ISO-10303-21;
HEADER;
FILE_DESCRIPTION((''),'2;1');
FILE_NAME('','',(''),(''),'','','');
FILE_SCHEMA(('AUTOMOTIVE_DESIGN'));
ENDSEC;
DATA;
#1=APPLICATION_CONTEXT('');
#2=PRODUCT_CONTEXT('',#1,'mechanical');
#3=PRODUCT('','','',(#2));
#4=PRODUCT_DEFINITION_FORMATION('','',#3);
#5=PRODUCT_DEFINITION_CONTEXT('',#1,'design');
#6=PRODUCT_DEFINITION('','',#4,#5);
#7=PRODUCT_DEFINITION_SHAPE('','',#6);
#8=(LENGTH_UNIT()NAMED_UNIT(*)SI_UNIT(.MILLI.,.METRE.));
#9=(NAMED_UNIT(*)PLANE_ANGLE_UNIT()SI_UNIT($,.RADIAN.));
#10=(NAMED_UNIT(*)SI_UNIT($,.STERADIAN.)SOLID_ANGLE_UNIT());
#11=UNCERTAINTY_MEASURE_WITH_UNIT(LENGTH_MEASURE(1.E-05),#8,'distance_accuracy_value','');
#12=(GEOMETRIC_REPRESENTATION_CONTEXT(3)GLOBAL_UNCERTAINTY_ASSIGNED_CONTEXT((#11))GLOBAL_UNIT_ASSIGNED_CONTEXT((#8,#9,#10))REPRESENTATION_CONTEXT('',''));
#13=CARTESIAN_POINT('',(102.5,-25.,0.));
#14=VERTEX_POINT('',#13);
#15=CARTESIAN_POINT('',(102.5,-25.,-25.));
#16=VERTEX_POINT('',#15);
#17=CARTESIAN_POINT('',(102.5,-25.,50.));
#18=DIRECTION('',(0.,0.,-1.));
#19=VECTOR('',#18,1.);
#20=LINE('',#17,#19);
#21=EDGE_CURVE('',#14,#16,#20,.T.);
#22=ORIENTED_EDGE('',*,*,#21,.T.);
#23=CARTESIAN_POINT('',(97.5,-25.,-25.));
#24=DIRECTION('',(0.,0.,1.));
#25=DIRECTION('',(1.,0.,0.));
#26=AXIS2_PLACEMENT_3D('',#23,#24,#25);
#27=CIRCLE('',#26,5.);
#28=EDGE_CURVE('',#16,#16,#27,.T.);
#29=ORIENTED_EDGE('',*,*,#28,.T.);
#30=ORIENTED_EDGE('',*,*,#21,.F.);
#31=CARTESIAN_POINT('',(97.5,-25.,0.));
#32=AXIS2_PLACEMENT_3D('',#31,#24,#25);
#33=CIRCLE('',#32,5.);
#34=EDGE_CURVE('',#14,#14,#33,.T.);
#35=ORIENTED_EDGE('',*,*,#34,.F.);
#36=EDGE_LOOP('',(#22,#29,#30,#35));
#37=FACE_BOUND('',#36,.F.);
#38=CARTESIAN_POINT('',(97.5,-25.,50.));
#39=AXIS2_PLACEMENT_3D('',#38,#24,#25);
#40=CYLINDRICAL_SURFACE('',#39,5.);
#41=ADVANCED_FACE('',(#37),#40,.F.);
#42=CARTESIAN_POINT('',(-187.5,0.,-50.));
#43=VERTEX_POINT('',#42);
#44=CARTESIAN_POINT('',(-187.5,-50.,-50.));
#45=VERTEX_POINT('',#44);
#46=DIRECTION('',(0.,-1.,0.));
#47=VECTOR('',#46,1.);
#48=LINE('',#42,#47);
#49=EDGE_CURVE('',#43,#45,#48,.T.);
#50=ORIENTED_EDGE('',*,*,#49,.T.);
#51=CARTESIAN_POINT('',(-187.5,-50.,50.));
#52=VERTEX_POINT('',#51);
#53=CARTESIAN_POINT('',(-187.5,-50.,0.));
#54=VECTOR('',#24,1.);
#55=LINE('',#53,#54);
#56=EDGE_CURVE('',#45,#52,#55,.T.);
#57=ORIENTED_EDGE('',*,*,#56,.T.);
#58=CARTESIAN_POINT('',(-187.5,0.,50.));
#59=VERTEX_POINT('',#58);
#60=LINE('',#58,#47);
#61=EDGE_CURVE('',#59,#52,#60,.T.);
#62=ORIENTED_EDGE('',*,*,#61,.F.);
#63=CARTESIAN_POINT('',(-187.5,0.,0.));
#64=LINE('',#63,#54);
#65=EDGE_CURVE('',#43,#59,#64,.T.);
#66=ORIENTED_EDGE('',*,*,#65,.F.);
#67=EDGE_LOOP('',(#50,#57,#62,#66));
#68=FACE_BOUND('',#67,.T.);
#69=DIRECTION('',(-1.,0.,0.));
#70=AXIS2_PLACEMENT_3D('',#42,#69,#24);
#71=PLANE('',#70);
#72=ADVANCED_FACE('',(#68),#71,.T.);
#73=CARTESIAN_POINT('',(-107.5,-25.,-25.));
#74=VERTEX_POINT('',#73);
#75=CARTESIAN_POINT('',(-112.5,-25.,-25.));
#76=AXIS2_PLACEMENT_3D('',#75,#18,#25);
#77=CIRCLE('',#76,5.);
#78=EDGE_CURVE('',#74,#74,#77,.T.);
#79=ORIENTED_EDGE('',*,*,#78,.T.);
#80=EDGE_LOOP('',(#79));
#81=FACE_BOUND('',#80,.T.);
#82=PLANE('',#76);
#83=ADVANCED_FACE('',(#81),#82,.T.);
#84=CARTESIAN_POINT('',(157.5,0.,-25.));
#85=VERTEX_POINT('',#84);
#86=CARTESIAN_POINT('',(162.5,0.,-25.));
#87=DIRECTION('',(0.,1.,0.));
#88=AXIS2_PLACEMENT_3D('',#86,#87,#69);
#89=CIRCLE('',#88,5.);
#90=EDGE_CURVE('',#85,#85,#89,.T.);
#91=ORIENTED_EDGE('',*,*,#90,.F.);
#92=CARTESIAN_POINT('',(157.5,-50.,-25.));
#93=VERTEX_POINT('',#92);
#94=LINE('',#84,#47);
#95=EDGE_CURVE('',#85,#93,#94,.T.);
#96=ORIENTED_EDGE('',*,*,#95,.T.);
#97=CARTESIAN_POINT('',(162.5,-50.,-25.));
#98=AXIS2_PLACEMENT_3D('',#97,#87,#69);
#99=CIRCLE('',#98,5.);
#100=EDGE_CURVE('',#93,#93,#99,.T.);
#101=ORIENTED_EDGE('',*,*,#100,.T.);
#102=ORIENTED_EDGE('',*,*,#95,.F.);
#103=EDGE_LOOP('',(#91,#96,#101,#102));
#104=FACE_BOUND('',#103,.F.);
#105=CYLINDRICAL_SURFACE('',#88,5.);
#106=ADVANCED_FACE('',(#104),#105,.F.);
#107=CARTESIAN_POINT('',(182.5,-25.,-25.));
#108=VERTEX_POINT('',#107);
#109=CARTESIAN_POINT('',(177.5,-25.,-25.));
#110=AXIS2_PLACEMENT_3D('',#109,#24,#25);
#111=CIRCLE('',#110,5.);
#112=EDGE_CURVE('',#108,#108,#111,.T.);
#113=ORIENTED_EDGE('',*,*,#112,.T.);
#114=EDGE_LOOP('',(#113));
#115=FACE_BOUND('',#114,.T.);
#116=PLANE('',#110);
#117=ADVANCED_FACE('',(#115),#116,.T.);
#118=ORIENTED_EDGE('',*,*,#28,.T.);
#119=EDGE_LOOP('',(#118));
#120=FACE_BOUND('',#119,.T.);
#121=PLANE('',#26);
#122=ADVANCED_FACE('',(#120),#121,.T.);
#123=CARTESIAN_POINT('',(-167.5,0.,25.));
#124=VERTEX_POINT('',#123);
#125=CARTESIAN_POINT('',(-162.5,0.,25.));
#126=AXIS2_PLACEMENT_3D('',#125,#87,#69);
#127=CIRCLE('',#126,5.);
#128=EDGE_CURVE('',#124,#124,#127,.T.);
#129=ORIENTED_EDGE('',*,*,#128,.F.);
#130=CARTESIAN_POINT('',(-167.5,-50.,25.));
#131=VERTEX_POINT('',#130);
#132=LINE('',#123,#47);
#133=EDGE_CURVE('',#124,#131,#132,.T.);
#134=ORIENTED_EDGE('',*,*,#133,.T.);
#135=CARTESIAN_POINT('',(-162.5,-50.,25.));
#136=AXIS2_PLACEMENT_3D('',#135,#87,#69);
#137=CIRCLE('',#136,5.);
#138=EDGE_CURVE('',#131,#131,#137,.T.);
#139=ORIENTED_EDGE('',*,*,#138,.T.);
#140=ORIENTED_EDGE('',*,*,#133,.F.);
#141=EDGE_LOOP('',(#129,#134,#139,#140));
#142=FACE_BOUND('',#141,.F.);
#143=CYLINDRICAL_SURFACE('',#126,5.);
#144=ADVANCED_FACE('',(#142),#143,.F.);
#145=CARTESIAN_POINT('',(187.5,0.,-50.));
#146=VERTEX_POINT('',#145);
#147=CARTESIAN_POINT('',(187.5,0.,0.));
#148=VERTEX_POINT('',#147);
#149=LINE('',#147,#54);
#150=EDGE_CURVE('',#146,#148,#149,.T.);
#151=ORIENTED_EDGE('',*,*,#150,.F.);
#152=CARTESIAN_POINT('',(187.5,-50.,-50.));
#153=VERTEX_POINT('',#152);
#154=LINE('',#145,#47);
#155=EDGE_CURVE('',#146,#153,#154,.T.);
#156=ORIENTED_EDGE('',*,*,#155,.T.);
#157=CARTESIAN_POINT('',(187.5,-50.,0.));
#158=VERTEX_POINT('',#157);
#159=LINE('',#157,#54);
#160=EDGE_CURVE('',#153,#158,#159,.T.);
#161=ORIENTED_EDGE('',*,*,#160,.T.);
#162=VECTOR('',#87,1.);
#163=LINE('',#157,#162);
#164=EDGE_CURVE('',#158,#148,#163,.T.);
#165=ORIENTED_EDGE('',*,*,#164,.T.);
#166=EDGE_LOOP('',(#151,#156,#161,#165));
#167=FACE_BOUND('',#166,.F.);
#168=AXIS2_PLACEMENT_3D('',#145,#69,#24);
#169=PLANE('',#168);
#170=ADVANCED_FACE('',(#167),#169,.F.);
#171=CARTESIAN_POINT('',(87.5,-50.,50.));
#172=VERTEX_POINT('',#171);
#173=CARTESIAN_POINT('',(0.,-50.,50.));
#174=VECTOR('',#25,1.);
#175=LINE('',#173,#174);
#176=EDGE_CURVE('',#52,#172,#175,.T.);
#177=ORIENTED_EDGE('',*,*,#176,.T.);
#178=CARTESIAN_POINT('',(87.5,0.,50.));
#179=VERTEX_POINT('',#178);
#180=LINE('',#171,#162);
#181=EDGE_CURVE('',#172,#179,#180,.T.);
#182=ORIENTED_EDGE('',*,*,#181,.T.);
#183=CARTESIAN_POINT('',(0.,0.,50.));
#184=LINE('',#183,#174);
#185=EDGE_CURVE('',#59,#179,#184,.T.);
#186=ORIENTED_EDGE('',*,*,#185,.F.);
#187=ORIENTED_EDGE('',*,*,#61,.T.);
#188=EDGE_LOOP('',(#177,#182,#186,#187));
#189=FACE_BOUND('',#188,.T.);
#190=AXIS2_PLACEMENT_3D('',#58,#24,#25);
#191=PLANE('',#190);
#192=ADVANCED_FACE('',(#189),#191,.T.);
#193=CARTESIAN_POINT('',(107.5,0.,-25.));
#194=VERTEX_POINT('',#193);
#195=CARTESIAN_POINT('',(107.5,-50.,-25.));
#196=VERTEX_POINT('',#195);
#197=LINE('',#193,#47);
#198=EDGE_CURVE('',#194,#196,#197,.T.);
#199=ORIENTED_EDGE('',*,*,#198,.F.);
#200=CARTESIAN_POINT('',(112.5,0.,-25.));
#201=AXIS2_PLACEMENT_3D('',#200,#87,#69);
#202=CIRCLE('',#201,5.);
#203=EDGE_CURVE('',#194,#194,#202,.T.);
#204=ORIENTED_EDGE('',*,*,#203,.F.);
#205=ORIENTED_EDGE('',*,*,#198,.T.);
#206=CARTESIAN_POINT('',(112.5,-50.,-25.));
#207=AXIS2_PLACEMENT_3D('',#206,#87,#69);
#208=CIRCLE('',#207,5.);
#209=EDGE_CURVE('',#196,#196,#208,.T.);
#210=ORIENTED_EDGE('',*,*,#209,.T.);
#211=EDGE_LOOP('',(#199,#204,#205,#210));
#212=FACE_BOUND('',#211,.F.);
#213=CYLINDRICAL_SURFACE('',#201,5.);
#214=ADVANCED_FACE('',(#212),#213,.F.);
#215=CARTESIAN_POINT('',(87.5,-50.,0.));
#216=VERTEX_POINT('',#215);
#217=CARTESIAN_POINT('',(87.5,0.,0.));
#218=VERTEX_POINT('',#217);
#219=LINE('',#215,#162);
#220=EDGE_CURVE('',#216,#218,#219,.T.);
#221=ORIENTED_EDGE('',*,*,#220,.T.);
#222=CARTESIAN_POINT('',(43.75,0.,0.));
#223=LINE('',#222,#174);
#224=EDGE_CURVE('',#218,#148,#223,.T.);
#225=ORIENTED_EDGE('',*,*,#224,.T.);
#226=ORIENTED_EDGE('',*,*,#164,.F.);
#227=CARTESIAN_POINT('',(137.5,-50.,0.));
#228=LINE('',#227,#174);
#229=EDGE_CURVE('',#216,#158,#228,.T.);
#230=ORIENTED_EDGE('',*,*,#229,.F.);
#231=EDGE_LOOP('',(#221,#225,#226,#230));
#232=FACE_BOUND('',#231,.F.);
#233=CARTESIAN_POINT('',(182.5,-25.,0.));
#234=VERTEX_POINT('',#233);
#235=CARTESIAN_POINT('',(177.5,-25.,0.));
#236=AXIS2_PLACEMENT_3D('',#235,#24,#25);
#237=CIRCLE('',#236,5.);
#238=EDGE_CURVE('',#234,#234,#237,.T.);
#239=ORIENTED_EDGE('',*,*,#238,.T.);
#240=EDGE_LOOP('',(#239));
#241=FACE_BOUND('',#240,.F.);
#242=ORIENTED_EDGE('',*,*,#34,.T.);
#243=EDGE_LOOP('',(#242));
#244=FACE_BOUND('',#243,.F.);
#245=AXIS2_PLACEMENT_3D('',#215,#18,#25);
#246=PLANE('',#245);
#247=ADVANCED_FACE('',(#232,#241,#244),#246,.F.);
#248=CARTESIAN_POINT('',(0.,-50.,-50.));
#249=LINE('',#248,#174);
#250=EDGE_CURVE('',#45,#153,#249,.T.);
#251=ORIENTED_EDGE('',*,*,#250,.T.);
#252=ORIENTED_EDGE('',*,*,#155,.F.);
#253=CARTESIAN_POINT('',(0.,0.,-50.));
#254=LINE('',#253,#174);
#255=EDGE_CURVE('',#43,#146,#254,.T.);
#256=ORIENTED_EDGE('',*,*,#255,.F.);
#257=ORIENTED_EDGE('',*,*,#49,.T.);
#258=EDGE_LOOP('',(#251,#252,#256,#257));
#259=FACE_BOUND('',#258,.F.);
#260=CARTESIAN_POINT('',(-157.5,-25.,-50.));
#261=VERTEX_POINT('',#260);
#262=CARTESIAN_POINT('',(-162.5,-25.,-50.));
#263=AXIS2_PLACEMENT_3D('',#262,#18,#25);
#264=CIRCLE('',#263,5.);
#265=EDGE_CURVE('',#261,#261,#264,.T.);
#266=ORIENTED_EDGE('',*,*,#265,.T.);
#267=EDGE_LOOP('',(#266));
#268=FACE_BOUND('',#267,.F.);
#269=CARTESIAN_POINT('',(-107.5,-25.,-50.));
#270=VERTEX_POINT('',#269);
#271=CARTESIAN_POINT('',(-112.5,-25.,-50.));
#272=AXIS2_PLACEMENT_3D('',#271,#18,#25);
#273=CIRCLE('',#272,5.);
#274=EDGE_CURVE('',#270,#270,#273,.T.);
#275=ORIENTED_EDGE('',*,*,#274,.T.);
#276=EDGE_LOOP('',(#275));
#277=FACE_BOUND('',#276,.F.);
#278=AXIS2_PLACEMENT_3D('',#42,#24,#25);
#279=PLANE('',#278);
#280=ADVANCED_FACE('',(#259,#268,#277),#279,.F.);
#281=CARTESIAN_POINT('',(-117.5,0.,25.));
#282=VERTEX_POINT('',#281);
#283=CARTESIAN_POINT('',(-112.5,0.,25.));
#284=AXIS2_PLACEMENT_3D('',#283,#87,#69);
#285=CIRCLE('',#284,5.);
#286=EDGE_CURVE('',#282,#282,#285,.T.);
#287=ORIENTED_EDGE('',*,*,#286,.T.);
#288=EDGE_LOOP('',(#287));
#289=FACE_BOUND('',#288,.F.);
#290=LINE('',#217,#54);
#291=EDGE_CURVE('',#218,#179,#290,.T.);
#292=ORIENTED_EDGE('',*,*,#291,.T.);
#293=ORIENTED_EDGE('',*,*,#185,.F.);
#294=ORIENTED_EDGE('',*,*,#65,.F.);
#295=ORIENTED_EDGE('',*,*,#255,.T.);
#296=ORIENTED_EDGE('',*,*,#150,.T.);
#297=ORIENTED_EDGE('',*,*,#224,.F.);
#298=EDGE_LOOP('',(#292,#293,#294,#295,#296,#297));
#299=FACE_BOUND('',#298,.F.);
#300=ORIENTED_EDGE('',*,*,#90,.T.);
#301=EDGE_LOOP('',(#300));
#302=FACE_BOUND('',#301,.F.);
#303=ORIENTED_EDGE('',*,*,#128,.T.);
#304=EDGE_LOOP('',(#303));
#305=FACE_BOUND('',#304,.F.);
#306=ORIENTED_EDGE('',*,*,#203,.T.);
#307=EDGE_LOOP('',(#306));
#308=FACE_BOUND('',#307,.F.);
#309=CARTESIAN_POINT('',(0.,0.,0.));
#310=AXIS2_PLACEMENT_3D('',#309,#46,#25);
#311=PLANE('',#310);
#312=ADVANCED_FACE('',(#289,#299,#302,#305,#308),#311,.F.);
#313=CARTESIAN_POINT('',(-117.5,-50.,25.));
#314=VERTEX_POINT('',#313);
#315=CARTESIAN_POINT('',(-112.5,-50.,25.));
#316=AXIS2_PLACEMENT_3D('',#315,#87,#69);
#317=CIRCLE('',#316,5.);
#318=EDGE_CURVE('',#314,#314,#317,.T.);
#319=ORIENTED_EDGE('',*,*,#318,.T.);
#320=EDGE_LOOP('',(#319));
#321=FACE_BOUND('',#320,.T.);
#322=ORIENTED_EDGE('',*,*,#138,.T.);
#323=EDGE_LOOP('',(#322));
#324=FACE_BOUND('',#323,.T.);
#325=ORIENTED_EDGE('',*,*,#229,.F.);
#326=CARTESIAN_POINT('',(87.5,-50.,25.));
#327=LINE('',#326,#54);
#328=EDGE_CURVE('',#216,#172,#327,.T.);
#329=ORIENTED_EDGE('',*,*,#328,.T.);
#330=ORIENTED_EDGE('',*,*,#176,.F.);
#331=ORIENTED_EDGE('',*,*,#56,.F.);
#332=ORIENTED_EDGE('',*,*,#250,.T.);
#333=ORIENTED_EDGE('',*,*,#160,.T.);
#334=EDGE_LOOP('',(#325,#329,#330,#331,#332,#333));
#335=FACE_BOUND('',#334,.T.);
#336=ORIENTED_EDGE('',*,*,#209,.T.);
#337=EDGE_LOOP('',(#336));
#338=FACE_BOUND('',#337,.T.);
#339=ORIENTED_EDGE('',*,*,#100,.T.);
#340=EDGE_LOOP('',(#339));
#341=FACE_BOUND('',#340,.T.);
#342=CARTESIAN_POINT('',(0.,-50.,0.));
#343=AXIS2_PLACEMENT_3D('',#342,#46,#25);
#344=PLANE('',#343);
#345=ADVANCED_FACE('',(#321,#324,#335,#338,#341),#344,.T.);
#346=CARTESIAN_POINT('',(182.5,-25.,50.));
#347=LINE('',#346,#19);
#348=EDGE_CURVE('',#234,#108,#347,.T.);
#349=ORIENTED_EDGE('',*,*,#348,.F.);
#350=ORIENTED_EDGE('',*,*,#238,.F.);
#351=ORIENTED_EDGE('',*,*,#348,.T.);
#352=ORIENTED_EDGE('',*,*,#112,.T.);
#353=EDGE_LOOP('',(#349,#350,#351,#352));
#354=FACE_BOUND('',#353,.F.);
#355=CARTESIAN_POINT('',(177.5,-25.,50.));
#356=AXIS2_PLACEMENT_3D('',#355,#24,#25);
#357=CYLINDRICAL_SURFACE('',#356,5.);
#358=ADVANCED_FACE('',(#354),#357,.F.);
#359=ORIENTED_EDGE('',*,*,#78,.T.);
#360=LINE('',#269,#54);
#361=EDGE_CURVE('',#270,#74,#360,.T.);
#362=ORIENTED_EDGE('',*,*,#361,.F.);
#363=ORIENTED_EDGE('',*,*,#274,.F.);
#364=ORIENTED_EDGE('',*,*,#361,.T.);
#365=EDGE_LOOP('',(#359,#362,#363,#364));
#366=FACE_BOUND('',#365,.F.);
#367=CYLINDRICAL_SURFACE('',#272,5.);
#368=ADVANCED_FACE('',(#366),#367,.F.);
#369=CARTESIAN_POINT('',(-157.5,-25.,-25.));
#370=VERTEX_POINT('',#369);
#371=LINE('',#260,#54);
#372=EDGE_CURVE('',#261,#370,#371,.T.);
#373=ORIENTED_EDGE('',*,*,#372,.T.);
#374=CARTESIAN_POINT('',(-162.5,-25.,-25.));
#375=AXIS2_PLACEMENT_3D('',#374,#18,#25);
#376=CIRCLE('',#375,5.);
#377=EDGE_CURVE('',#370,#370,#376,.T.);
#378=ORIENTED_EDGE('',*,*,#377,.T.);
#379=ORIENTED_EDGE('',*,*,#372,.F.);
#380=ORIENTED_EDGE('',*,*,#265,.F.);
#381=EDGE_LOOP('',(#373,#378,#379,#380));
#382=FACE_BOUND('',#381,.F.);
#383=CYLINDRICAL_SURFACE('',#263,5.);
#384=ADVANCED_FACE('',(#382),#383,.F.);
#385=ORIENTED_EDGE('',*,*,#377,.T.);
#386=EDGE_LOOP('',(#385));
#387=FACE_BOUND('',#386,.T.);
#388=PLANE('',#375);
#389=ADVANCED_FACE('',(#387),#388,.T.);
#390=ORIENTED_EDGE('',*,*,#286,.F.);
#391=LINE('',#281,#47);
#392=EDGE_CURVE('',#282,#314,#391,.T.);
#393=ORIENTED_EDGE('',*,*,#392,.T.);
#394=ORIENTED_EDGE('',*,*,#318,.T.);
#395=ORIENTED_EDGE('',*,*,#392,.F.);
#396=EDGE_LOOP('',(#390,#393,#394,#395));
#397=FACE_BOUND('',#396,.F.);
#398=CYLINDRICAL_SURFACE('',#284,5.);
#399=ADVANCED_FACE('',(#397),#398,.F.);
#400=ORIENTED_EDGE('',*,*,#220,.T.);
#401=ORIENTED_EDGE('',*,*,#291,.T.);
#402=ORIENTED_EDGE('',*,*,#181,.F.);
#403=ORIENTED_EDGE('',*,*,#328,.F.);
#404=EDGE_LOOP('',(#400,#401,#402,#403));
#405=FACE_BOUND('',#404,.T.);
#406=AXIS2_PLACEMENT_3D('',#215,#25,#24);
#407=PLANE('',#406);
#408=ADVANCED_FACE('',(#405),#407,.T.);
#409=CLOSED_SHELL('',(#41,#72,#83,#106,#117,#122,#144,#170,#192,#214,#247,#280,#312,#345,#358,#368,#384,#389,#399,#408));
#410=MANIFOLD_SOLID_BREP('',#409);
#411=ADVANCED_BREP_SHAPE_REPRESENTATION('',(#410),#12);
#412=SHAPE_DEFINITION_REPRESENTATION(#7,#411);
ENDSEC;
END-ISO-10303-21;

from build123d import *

# Parameters (mm, degrees)
F0_W     = 375
F0_H     = 100
F1_DEPTH = 50
F2_R     = 5
F3_DEPTH = 75
F4_W     = 100
F4_H     = 50
F5_DEPTH = 50.001
F6_R     = 5
F7_DEPTH = 50.001
F8_R     = 5
F9_DEPTH = 25


with BuildPart() as f1:
    # F0 (on Front) → F1 (new body)
    with BuildSketch(Plane.XZ):
        Rectangle(F0_W, F0_H)
    extrude(amount=F1_DEPTH)

    # F2 (on face) → F3 (cut)
    with BuildSketch(Plane.XY.offset(50)):
        with Locations((97.5, -25)):
            Circle(F2_R)
        with Locations((177.5, -25)):
            Circle(F2_R)
    extrude(amount=-F3_DEPTH, mode=Mode.SUBTRACT)

    # F4 (on face) → F5 (cut, through all)
    with BuildSketch(Plane.XZ.offset(50)):
        with Locations((137.5, 25)):
            Rectangle(F4_W, F4_H)
    extrude(amount=-F5_DEPTH, mode=Mode.SUBTRACT)

    # F6 (on face) → F7 (cut, through all)
    with BuildSketch(Plane(origin=(0, 0, 0), x_dir=(-1, 0, 0), z_dir=(0, 1, 0))):
        with Locations((-112.5, -25)):
            Circle(F6_R)
        with Locations((-162.5, -25)):
            Circle(F6_R)
        with Locations((162.5, 25)):
            Circle(F6_R)
        with Locations((112.5, 25)):
            Circle(F6_R)
    extrude(amount=-F7_DEPTH, mode=Mode.SUBTRACT)

    # F8 (on face) → F9 (cut)
    with BuildSketch(Plane(origin=(0, 0, -50), x_dir=(1, 0, 0), z_dir=(0, 0, -1))):
        with Locations((-162.5, 25)):
            Circle(F8_R)
        with Locations((-112.5, 25)):
            Circle(F8_R)
    extrude(amount=-F9_DEPTH, mode=Mode.SUBTRACT)


solid = f1.part
